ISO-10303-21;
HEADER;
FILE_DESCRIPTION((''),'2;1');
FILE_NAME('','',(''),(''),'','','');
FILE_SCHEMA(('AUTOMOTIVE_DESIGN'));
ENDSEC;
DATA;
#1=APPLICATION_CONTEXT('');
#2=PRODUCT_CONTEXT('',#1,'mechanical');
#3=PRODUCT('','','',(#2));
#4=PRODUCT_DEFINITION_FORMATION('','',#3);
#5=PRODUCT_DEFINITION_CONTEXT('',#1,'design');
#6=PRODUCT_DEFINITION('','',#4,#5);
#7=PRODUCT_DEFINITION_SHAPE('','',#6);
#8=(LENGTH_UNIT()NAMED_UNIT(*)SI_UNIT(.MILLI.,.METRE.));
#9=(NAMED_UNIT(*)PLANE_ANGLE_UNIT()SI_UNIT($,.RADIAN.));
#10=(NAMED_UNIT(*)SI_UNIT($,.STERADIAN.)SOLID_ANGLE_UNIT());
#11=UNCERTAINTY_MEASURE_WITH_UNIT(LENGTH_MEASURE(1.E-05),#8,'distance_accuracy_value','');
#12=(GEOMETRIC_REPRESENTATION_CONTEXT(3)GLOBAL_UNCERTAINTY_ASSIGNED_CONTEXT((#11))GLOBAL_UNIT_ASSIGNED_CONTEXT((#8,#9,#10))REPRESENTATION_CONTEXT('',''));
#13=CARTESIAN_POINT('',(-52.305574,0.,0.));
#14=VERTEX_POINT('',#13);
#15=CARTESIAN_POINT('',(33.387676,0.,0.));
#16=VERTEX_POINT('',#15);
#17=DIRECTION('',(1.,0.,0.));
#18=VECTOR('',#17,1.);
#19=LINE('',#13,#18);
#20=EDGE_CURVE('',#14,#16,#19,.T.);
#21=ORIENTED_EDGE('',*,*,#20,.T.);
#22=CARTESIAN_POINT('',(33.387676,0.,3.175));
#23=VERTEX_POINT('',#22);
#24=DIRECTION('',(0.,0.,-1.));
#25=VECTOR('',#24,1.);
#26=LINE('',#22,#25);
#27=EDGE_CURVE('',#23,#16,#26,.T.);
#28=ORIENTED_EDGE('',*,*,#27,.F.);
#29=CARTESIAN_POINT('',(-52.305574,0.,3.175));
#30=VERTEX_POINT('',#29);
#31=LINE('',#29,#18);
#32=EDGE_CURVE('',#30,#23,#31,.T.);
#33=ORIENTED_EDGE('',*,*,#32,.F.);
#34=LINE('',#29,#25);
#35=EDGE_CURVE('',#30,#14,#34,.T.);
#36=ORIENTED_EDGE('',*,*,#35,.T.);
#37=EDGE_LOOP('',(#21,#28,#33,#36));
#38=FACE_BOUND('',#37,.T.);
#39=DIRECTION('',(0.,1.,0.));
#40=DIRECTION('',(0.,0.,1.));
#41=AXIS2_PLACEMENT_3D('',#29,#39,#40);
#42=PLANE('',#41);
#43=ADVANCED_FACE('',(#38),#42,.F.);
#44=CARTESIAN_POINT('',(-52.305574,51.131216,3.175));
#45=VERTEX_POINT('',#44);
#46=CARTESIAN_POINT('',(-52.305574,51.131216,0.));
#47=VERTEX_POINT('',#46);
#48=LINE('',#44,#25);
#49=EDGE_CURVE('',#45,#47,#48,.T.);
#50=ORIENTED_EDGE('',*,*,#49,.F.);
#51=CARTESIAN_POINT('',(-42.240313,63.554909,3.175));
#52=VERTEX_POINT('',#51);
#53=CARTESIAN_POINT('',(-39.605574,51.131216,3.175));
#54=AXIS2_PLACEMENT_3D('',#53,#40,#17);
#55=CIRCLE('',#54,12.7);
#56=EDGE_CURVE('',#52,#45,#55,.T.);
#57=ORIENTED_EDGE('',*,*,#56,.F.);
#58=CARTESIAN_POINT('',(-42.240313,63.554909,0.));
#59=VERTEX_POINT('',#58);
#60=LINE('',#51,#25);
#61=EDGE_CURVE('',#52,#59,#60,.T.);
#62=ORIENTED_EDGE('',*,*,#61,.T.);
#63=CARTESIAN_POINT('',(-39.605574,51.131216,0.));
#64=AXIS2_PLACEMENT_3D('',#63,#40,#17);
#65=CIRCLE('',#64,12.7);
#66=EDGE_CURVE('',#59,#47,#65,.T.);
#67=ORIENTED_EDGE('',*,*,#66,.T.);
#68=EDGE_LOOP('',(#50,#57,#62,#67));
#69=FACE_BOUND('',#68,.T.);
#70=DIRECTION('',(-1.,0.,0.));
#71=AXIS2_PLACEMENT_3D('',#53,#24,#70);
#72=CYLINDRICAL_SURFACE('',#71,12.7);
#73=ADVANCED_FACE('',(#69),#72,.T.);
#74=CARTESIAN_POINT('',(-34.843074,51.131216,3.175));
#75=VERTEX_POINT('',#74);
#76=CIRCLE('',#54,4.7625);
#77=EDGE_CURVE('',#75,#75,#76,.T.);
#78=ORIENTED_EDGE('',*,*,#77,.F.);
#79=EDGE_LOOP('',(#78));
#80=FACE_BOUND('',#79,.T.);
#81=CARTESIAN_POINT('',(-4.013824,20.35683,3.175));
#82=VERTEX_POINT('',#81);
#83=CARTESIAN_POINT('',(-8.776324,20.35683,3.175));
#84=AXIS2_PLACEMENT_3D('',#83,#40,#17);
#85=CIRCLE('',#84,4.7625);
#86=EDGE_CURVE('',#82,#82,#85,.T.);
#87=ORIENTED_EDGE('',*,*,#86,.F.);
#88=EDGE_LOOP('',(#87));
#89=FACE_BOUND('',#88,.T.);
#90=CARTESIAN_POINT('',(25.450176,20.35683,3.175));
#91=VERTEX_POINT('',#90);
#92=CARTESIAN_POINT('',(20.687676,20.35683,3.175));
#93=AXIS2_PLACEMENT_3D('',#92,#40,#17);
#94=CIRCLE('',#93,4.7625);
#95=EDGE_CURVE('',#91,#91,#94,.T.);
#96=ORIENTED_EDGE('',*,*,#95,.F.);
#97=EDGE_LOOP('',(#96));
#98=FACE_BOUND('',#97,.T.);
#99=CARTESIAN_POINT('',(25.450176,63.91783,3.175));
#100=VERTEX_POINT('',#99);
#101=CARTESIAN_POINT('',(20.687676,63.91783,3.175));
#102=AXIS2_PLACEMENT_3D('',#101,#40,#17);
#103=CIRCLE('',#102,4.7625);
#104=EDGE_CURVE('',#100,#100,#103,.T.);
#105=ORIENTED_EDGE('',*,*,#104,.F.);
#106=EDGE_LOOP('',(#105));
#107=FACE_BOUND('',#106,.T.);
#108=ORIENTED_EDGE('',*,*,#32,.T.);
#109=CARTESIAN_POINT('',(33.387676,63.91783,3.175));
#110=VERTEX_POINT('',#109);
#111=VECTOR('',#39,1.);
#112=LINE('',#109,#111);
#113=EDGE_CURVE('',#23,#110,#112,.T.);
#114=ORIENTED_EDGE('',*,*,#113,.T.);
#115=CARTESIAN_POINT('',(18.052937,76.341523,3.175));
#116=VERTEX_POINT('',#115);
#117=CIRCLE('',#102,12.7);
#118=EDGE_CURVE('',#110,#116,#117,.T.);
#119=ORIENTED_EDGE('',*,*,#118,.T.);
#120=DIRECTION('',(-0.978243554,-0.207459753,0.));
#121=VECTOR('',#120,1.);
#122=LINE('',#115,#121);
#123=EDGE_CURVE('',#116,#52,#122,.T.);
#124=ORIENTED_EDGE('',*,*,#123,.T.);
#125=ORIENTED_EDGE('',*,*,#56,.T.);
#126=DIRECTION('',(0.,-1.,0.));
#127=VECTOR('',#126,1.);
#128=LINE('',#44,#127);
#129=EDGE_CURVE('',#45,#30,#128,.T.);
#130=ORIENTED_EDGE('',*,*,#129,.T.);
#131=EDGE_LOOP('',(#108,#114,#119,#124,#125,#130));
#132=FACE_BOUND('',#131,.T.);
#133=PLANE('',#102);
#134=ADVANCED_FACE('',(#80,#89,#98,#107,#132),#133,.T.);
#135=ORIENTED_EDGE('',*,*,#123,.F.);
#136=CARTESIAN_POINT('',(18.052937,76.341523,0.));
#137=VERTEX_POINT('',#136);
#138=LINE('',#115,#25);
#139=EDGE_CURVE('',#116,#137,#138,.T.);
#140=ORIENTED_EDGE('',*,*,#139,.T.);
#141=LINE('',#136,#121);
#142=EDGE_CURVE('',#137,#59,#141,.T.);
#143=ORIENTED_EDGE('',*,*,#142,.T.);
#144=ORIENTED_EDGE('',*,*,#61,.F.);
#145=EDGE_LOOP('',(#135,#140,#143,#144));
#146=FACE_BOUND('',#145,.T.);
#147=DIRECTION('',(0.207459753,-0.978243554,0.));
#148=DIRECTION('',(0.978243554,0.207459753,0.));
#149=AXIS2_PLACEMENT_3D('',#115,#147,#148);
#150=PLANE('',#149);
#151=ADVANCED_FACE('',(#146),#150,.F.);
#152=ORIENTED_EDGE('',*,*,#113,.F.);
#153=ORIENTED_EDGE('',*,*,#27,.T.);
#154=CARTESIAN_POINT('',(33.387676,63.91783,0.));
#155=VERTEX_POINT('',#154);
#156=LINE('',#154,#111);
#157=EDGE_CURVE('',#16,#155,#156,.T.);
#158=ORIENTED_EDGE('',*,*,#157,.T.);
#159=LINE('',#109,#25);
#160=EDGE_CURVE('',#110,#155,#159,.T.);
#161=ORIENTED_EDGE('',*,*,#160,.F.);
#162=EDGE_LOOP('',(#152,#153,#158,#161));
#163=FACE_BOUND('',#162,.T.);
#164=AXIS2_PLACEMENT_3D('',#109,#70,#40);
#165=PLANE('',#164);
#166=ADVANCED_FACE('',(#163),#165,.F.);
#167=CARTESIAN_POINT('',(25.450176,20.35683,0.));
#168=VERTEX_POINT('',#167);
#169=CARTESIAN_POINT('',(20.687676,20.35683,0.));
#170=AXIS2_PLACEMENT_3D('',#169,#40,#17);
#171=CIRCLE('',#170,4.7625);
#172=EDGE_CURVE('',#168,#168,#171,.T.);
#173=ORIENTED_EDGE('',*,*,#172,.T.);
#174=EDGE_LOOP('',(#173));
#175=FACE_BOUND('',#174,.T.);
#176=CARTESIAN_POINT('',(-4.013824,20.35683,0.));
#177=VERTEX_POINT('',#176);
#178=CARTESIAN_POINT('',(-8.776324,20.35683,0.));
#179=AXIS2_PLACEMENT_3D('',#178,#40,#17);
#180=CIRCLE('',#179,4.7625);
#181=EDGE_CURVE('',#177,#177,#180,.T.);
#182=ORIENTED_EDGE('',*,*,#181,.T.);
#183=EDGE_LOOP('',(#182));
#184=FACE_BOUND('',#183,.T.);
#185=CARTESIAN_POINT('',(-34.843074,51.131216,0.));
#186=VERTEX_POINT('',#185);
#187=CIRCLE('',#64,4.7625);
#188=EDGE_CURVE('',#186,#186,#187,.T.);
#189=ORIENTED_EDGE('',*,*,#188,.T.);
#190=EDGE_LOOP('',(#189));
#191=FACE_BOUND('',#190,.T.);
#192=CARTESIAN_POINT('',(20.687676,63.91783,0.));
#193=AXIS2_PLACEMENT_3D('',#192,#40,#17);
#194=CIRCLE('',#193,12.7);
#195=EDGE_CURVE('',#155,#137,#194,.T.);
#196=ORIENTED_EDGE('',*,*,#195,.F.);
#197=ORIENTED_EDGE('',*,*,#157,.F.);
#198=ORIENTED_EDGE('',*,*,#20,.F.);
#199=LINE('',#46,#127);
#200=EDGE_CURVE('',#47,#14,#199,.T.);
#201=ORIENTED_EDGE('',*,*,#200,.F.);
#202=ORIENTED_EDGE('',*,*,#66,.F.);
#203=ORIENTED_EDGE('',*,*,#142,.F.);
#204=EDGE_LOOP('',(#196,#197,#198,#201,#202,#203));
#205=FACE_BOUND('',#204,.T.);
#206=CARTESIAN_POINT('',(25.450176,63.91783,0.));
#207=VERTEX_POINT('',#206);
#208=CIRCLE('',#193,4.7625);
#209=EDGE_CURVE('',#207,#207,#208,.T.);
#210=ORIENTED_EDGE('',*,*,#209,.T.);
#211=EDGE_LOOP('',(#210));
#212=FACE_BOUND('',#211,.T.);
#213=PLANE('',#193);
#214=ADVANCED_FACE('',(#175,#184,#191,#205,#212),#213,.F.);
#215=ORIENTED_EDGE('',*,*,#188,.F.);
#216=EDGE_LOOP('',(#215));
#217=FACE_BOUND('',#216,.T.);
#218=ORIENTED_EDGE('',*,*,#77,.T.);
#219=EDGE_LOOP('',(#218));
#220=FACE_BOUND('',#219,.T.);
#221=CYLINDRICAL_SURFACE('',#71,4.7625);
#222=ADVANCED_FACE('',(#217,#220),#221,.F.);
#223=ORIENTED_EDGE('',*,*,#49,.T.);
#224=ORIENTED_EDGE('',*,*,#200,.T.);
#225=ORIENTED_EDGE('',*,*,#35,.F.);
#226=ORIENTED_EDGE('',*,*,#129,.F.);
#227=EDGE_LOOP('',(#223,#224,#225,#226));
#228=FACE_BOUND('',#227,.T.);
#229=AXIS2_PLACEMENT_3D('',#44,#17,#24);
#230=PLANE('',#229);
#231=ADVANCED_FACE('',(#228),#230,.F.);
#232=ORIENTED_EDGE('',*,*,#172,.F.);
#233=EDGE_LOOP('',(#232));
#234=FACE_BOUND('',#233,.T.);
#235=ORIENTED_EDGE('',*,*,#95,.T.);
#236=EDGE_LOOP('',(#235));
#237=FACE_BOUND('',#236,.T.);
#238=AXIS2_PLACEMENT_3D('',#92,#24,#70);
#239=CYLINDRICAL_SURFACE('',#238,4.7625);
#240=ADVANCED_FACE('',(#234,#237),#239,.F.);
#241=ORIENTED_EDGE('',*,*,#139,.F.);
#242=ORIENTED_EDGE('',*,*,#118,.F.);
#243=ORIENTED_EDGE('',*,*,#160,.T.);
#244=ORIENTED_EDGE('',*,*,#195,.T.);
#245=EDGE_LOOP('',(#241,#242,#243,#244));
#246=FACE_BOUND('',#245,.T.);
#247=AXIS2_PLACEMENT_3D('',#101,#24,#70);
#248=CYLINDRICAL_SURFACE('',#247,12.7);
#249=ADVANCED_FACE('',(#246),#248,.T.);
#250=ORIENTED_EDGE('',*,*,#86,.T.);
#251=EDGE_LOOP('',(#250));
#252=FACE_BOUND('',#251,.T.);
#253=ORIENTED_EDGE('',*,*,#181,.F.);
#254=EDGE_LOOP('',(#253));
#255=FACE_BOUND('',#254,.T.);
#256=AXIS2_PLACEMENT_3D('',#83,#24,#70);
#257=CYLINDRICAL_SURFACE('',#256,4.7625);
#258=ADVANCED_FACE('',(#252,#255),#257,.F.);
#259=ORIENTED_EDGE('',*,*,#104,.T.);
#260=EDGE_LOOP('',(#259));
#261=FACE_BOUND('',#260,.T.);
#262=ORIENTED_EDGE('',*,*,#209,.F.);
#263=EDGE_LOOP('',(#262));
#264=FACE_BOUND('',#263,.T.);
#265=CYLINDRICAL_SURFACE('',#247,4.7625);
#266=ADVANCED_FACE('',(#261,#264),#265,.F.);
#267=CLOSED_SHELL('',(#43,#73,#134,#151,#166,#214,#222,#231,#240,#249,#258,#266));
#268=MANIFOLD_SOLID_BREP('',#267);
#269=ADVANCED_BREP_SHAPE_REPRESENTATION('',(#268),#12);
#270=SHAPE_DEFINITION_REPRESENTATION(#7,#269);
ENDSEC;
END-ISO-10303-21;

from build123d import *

# Parameters (mm, degrees)
SKETCH1_R           = 4.7625
BOSS_EXTRUDE1_DEPTH = 3.175


with BuildPart() as part:
    # Sketch1 → Boss-Extrude1 (new body)
    with BuildSketch(Plane.XY):
        with BuildLine():
            Line((18.052936785, 76.341523137), (-42.240313215, 63.554909137))
            ThreePointArc((-42.240313215, 63.554909137), (-49.473481519, 59.125864726), (-52.305574358, 51.131216))
            Line((-52.305574358, 51.131216), (-52.305574358, 0))
            Line((-52.305574358, 0), (33.387675642, 0))
            Line((33.387675642, 0), (33.387675642, 63.91783))
            ThreePointArc((33.387675642, 63.91783), (28.682324369, 73.785737161), (18.052936785, 76.341523137))
        make_face()
        with Locations((20.687675642, 20.35683)):
            Circle(SKETCH1_R, mode=Mode.SUBTRACT)
        with Locations((20.687675642, 63.91783)):
            Circle(SKETCH1_R, mode=Mode.SUBTRACT)
        with Locations((-8.776324358, 20.35683)):
            Circle(SKETCH1_R, mode=Mode.SUBTRACT)
        with Locations((-39.605574358, 51.131216)):
            Circle(SKETCH1_R, mode=Mode.SUBTRACT)
    extrude(amount=BOSS_EXTRUDE1_DEPTH)


solid = part.part
